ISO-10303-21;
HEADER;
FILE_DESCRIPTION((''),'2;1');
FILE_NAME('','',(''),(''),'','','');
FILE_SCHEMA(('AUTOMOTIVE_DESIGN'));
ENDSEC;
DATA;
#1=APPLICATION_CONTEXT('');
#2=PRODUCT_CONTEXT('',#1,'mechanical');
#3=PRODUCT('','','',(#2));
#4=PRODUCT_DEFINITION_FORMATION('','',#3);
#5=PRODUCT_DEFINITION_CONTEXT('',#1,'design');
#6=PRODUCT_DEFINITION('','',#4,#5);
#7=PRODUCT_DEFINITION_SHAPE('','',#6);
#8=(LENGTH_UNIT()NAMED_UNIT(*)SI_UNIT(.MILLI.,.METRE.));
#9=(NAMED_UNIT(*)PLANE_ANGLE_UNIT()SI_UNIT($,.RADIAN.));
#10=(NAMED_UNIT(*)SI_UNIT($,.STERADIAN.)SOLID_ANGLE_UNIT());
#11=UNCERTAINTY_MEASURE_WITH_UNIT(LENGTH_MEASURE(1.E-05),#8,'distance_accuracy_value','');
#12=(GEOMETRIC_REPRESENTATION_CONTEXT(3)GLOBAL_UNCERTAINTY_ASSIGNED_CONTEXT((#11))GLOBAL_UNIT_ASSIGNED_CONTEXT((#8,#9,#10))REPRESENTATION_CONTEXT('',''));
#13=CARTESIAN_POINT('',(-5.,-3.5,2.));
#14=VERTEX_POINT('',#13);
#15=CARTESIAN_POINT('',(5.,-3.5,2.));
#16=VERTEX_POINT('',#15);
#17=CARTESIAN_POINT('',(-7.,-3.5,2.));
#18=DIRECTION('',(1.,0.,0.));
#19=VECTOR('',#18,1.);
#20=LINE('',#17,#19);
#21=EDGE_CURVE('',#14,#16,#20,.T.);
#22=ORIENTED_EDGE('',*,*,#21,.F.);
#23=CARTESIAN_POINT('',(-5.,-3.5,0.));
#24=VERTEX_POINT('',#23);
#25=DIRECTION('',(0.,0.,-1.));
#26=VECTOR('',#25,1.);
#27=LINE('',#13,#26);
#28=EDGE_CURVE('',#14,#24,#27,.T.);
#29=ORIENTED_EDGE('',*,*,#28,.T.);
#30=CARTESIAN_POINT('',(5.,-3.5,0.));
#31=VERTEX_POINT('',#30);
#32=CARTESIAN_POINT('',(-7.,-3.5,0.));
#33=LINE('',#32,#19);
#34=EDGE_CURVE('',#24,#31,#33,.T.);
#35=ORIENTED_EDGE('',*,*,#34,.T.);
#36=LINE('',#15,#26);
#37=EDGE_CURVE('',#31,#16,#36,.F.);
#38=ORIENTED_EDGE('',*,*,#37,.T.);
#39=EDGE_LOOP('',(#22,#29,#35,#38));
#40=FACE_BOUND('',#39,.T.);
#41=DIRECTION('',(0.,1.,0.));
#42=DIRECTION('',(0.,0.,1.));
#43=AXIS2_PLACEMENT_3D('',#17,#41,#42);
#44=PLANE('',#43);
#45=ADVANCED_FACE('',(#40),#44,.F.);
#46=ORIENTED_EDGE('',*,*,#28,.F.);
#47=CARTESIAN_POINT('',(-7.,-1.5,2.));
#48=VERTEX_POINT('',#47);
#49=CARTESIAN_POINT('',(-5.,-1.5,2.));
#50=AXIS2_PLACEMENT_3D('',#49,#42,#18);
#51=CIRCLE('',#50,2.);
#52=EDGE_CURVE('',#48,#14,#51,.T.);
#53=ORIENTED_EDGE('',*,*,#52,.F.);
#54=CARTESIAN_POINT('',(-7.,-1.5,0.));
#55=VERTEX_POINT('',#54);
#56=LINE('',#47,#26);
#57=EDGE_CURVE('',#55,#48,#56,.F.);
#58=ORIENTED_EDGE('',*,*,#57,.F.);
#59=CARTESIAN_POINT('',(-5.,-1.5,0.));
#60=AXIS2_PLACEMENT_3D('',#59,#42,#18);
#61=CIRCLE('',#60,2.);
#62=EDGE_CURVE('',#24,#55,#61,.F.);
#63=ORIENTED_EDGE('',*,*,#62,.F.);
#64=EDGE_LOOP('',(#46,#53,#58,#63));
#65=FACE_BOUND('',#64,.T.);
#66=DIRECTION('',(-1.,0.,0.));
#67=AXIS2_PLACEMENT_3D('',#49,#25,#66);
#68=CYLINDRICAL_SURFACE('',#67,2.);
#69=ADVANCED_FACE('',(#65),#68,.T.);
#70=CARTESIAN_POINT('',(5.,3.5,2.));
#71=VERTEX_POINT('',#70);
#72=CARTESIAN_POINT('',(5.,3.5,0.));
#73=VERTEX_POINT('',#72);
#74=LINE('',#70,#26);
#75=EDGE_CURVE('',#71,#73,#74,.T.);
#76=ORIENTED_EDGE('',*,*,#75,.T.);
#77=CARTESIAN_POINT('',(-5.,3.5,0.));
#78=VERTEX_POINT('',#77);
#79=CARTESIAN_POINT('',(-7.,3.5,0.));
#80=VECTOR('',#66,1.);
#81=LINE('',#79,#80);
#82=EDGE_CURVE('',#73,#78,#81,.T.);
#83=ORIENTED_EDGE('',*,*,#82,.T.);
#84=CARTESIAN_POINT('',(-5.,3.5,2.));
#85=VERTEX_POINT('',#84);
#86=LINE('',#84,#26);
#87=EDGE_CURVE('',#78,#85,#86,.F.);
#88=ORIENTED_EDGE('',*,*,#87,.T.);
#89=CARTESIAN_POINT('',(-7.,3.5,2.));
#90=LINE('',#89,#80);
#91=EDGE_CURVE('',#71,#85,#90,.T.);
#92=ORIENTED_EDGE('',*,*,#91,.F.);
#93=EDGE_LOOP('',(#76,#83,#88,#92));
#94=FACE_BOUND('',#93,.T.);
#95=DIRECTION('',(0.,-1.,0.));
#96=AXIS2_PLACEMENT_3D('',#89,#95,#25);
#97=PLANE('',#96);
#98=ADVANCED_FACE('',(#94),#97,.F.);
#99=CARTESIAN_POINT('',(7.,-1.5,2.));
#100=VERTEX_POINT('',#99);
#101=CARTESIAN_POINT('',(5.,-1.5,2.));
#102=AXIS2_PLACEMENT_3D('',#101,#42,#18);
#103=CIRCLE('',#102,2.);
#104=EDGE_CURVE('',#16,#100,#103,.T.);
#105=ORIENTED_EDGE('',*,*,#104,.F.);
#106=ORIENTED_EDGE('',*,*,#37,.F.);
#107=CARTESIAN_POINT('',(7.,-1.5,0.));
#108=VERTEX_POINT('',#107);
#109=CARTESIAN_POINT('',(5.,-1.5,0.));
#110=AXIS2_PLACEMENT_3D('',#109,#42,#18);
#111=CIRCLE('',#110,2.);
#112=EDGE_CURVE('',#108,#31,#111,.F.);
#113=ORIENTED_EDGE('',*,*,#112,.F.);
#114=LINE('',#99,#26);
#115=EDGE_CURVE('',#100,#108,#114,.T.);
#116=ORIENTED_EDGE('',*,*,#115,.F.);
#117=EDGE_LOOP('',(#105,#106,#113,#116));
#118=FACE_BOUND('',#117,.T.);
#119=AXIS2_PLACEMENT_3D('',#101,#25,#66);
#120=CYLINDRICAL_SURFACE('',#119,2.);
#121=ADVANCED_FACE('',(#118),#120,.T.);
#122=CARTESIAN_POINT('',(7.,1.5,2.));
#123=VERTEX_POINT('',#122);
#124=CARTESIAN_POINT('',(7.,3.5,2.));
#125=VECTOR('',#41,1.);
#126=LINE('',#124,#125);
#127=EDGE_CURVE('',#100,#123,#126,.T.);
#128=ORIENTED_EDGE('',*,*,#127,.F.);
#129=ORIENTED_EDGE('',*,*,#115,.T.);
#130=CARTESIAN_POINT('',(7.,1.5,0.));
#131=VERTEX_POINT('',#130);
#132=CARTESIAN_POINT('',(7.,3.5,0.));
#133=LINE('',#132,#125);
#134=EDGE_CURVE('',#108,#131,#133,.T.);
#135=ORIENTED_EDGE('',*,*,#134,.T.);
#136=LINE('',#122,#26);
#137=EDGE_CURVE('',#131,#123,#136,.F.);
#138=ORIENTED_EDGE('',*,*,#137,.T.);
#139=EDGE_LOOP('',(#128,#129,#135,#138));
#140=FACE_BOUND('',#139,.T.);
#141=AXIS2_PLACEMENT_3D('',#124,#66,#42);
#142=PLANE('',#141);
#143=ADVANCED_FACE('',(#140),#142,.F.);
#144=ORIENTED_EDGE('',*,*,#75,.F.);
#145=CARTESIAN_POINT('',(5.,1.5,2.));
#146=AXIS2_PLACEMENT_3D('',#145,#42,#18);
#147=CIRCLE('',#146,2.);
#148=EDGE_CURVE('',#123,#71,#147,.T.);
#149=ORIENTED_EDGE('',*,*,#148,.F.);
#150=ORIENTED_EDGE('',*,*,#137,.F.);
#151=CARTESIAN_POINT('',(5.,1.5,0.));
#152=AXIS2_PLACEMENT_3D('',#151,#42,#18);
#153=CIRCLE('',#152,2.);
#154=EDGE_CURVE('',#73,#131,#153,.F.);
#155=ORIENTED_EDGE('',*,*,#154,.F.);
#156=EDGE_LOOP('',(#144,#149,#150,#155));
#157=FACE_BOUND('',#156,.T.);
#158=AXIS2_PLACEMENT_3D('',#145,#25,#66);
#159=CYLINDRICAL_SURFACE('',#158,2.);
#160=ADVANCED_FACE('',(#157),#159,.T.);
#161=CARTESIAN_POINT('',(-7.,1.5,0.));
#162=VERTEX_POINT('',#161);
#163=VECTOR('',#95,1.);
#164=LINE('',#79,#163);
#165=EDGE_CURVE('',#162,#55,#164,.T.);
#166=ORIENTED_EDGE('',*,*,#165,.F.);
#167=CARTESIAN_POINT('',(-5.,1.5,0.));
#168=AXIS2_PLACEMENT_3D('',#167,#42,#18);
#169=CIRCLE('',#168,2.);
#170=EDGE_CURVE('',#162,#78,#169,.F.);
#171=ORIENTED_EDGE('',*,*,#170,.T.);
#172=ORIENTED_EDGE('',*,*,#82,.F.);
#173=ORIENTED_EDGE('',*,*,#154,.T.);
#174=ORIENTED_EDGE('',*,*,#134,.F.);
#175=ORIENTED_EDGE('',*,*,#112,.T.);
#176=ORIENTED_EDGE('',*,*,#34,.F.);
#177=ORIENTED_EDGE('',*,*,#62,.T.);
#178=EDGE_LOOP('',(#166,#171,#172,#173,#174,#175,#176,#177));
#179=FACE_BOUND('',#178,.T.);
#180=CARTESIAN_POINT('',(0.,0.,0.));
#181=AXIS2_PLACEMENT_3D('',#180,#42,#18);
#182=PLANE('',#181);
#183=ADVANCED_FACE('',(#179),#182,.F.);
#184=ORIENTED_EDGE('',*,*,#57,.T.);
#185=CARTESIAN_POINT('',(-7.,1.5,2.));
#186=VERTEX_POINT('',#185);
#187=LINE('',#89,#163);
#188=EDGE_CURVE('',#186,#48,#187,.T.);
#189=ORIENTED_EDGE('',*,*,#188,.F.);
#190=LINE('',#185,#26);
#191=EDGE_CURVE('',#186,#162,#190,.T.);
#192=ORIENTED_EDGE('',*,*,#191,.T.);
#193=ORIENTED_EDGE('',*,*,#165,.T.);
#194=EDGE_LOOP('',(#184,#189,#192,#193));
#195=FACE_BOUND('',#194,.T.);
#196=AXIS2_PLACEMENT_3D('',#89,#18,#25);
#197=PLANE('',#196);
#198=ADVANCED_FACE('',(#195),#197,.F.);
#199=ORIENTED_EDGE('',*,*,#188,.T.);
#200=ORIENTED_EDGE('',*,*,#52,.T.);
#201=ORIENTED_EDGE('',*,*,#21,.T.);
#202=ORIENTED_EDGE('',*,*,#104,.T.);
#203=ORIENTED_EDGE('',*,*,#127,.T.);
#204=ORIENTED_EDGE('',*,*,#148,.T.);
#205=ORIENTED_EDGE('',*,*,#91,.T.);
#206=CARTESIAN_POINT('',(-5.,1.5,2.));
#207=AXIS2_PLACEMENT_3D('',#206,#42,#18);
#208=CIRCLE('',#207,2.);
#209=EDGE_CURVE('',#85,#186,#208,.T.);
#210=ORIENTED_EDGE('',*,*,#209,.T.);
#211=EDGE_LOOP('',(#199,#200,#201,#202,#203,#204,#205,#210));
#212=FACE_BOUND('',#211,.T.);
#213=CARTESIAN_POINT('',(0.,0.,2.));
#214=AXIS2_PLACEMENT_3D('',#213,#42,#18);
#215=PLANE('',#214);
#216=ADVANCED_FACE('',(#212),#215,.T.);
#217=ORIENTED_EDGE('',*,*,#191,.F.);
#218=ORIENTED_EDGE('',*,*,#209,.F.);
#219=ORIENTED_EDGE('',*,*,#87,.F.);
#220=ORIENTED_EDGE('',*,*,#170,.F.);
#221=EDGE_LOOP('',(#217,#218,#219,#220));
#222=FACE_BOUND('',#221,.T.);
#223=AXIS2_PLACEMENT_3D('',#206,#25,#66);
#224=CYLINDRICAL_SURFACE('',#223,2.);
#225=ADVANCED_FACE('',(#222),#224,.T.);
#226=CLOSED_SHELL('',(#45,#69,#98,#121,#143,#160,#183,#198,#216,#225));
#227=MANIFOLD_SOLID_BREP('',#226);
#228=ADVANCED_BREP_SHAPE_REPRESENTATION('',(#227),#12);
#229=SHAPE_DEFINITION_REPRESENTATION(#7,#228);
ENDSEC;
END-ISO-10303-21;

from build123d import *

# Parameters (mm, degrees)
SKETCH_1_W      = 14
SKETCH_1_H      = 7
EXTRUDE_1_DEPTH = 2
FILLET_1_R      = 2


with BuildPart() as part:
    # Эскиз1 → Бобышка-Вытянуть1 (new body)
    with BuildSketch(Plane.XY):
        Rectangle(SKETCH_1_W, SKETCH_1_H)
    extrude(amount=EXTRUDE_1_DEPTH)

    # Скругление1
    fillet_1_edges = [part.edges().sort_by_distance(p)[0] for p in [
        (7, -3.5, 1),
        (-7, -3.5, 1),
        (-7, 3.5, 1),
        (7, 3.5, 1),
    ]]
    fillet(fillet_1_edges, radius=FILLET_1_R)


solid = part.part
